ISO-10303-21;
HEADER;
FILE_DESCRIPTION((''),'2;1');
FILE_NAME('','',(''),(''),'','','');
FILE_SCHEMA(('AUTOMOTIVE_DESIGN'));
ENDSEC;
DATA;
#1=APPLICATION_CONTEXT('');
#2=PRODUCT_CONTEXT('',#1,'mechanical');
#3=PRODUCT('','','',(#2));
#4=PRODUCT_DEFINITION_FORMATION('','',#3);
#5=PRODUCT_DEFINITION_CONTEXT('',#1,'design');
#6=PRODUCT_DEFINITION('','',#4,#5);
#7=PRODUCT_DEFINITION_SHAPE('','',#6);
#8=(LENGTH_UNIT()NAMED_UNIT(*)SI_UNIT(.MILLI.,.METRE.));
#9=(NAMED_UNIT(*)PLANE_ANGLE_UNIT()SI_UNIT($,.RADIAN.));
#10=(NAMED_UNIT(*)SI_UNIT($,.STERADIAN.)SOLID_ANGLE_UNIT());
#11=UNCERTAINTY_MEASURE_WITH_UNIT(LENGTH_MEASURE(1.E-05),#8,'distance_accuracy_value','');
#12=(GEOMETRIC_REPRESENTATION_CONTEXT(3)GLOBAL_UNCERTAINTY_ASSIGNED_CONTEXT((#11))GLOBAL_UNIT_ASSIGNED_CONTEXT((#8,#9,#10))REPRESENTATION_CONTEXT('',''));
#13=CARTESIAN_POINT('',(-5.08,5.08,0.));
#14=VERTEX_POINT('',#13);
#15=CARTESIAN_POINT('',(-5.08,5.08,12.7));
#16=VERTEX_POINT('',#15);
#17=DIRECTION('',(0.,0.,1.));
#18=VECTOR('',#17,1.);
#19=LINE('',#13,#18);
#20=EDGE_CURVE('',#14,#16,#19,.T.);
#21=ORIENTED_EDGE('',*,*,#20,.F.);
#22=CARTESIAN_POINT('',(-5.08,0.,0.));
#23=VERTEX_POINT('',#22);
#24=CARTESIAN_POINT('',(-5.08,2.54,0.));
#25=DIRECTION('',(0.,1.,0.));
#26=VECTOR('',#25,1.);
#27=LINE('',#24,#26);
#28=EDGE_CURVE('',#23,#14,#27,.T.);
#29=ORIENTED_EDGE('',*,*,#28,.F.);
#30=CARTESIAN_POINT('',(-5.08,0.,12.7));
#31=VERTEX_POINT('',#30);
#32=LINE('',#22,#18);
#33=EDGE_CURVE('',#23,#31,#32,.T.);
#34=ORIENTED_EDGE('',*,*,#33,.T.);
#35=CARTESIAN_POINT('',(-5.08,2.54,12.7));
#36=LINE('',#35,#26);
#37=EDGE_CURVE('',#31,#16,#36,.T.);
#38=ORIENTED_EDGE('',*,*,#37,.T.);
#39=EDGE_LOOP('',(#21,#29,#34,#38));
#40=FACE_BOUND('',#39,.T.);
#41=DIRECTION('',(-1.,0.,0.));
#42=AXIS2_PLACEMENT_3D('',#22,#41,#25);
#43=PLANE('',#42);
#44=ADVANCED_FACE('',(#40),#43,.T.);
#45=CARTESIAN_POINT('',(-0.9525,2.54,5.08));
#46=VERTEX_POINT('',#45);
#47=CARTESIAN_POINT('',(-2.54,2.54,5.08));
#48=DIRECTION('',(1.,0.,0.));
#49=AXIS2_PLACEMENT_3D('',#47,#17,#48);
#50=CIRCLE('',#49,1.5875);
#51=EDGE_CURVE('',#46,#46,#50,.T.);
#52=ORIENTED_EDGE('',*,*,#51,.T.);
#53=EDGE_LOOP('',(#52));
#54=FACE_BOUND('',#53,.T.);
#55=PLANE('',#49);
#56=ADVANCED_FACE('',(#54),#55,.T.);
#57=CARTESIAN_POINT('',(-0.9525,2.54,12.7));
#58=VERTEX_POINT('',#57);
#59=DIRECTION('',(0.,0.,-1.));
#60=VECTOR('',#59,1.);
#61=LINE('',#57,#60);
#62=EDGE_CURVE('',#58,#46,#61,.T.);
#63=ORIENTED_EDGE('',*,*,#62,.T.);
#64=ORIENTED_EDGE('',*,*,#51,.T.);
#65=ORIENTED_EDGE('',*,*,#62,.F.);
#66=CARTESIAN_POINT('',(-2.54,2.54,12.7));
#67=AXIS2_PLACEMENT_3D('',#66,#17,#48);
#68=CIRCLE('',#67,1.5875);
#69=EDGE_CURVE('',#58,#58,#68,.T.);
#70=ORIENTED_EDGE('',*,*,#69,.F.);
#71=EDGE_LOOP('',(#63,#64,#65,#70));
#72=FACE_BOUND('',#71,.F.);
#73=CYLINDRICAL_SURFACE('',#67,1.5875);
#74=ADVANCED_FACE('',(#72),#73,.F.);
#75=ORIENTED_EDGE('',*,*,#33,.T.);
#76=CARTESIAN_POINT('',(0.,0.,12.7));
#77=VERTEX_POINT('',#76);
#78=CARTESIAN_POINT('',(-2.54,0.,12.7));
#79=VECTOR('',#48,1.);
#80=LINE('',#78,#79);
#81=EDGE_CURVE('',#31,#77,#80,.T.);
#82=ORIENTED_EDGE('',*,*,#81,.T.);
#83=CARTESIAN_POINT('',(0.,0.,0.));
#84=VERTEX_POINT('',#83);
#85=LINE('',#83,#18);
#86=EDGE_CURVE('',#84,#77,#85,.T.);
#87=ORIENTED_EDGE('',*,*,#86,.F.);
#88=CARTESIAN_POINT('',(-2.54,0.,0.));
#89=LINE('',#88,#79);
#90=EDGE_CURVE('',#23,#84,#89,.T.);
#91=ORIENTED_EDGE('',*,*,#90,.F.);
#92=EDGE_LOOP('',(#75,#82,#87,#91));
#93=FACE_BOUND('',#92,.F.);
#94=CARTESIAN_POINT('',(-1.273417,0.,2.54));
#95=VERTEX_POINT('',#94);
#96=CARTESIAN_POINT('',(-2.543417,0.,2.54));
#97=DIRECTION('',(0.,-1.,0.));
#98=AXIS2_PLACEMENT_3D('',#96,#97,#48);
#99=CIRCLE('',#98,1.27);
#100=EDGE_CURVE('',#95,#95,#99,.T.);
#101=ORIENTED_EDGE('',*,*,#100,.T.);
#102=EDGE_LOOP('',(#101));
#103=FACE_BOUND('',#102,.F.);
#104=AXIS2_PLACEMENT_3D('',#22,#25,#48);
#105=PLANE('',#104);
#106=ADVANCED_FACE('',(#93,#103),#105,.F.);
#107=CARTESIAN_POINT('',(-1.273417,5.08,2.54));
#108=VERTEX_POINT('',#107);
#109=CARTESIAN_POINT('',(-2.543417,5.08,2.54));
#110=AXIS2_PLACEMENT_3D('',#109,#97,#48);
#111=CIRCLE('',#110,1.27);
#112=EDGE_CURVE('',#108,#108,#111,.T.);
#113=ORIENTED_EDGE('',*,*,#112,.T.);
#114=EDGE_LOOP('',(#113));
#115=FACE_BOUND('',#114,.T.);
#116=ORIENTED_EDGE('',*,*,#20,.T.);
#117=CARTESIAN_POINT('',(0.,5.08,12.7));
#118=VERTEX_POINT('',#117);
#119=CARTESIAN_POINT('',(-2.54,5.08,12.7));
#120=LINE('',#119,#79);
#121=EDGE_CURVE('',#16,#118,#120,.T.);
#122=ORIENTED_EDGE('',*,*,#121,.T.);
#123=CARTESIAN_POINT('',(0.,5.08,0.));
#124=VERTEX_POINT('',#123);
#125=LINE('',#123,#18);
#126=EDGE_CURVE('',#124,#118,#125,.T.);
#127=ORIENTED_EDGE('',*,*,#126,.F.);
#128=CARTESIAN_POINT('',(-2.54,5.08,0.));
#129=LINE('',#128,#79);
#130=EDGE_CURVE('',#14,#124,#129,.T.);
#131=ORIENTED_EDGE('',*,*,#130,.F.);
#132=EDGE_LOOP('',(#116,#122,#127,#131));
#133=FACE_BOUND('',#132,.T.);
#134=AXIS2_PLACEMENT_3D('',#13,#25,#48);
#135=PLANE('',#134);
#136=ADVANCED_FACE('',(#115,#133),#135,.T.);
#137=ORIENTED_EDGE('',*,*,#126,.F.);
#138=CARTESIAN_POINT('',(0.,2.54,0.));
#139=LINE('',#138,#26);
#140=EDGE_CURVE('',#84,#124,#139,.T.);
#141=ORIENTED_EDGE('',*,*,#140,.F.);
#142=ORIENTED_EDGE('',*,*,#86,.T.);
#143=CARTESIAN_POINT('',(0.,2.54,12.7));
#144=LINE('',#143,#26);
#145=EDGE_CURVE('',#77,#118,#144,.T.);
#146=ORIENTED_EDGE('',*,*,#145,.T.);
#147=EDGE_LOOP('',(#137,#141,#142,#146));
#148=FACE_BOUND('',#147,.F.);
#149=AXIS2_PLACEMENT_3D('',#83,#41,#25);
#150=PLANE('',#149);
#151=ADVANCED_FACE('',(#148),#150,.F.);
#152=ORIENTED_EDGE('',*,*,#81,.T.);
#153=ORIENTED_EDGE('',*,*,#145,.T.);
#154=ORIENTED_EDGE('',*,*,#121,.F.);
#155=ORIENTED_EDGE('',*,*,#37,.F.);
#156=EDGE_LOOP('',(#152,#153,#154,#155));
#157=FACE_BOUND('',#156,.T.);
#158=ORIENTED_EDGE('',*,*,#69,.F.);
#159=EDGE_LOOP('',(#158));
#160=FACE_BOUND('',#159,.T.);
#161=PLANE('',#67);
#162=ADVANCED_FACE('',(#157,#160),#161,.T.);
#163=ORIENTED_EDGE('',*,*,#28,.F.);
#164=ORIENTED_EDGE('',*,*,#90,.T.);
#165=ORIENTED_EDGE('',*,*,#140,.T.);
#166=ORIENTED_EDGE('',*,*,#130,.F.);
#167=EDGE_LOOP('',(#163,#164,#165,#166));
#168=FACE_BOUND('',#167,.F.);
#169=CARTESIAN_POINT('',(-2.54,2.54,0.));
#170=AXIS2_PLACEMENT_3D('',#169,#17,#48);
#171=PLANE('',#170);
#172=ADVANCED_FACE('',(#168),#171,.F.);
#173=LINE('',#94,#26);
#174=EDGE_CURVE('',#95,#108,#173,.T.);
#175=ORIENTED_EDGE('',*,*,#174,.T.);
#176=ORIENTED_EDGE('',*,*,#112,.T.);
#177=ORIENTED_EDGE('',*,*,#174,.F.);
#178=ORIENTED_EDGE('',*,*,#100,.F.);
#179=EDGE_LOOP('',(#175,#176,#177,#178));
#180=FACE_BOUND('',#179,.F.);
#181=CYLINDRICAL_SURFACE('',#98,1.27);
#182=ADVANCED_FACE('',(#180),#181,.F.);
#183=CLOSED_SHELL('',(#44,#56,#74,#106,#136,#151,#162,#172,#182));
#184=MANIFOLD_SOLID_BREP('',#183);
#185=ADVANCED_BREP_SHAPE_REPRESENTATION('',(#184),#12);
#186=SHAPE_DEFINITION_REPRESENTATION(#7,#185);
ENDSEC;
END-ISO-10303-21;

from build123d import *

# Parameters (mm, degrees)
F0_W     = 5.08
F0_H     = 5.08
F1_DEPTH = 12.7
F2_R     = 1.27
F3_DEPTH = 5.081
F4_R     = 1.5875
F5_DEPTH = 7.62


with BuildPart() as f1:
    # F0 (on Top) → F1 (new body)
    with BuildSketch(Plane.XY):
        with Locations((-2.54, 2.54)):
            Rectangle(F0_W, F0_H)
    extrude(amount=F1_DEPTH)

    # F2 (on face) → F3 (cut, through all)
    with BuildSketch(Plane.XZ):
        with Locations((-2.543417, 2.54)):
            Circle(F2_R)
    extrude(amount=-F3_DEPTH, mode=Mode.SUBTRACT)

    # F4 (on face) → F5 (cut)
    with BuildSketch(Plane.XY.offset(12.7)):
        with Locations((-2.54, 2.54)):
            Circle(F4_R)
    extrude(amount=-F5_DEPTH, mode=Mode.SUBTRACT)


solid = f1.part
